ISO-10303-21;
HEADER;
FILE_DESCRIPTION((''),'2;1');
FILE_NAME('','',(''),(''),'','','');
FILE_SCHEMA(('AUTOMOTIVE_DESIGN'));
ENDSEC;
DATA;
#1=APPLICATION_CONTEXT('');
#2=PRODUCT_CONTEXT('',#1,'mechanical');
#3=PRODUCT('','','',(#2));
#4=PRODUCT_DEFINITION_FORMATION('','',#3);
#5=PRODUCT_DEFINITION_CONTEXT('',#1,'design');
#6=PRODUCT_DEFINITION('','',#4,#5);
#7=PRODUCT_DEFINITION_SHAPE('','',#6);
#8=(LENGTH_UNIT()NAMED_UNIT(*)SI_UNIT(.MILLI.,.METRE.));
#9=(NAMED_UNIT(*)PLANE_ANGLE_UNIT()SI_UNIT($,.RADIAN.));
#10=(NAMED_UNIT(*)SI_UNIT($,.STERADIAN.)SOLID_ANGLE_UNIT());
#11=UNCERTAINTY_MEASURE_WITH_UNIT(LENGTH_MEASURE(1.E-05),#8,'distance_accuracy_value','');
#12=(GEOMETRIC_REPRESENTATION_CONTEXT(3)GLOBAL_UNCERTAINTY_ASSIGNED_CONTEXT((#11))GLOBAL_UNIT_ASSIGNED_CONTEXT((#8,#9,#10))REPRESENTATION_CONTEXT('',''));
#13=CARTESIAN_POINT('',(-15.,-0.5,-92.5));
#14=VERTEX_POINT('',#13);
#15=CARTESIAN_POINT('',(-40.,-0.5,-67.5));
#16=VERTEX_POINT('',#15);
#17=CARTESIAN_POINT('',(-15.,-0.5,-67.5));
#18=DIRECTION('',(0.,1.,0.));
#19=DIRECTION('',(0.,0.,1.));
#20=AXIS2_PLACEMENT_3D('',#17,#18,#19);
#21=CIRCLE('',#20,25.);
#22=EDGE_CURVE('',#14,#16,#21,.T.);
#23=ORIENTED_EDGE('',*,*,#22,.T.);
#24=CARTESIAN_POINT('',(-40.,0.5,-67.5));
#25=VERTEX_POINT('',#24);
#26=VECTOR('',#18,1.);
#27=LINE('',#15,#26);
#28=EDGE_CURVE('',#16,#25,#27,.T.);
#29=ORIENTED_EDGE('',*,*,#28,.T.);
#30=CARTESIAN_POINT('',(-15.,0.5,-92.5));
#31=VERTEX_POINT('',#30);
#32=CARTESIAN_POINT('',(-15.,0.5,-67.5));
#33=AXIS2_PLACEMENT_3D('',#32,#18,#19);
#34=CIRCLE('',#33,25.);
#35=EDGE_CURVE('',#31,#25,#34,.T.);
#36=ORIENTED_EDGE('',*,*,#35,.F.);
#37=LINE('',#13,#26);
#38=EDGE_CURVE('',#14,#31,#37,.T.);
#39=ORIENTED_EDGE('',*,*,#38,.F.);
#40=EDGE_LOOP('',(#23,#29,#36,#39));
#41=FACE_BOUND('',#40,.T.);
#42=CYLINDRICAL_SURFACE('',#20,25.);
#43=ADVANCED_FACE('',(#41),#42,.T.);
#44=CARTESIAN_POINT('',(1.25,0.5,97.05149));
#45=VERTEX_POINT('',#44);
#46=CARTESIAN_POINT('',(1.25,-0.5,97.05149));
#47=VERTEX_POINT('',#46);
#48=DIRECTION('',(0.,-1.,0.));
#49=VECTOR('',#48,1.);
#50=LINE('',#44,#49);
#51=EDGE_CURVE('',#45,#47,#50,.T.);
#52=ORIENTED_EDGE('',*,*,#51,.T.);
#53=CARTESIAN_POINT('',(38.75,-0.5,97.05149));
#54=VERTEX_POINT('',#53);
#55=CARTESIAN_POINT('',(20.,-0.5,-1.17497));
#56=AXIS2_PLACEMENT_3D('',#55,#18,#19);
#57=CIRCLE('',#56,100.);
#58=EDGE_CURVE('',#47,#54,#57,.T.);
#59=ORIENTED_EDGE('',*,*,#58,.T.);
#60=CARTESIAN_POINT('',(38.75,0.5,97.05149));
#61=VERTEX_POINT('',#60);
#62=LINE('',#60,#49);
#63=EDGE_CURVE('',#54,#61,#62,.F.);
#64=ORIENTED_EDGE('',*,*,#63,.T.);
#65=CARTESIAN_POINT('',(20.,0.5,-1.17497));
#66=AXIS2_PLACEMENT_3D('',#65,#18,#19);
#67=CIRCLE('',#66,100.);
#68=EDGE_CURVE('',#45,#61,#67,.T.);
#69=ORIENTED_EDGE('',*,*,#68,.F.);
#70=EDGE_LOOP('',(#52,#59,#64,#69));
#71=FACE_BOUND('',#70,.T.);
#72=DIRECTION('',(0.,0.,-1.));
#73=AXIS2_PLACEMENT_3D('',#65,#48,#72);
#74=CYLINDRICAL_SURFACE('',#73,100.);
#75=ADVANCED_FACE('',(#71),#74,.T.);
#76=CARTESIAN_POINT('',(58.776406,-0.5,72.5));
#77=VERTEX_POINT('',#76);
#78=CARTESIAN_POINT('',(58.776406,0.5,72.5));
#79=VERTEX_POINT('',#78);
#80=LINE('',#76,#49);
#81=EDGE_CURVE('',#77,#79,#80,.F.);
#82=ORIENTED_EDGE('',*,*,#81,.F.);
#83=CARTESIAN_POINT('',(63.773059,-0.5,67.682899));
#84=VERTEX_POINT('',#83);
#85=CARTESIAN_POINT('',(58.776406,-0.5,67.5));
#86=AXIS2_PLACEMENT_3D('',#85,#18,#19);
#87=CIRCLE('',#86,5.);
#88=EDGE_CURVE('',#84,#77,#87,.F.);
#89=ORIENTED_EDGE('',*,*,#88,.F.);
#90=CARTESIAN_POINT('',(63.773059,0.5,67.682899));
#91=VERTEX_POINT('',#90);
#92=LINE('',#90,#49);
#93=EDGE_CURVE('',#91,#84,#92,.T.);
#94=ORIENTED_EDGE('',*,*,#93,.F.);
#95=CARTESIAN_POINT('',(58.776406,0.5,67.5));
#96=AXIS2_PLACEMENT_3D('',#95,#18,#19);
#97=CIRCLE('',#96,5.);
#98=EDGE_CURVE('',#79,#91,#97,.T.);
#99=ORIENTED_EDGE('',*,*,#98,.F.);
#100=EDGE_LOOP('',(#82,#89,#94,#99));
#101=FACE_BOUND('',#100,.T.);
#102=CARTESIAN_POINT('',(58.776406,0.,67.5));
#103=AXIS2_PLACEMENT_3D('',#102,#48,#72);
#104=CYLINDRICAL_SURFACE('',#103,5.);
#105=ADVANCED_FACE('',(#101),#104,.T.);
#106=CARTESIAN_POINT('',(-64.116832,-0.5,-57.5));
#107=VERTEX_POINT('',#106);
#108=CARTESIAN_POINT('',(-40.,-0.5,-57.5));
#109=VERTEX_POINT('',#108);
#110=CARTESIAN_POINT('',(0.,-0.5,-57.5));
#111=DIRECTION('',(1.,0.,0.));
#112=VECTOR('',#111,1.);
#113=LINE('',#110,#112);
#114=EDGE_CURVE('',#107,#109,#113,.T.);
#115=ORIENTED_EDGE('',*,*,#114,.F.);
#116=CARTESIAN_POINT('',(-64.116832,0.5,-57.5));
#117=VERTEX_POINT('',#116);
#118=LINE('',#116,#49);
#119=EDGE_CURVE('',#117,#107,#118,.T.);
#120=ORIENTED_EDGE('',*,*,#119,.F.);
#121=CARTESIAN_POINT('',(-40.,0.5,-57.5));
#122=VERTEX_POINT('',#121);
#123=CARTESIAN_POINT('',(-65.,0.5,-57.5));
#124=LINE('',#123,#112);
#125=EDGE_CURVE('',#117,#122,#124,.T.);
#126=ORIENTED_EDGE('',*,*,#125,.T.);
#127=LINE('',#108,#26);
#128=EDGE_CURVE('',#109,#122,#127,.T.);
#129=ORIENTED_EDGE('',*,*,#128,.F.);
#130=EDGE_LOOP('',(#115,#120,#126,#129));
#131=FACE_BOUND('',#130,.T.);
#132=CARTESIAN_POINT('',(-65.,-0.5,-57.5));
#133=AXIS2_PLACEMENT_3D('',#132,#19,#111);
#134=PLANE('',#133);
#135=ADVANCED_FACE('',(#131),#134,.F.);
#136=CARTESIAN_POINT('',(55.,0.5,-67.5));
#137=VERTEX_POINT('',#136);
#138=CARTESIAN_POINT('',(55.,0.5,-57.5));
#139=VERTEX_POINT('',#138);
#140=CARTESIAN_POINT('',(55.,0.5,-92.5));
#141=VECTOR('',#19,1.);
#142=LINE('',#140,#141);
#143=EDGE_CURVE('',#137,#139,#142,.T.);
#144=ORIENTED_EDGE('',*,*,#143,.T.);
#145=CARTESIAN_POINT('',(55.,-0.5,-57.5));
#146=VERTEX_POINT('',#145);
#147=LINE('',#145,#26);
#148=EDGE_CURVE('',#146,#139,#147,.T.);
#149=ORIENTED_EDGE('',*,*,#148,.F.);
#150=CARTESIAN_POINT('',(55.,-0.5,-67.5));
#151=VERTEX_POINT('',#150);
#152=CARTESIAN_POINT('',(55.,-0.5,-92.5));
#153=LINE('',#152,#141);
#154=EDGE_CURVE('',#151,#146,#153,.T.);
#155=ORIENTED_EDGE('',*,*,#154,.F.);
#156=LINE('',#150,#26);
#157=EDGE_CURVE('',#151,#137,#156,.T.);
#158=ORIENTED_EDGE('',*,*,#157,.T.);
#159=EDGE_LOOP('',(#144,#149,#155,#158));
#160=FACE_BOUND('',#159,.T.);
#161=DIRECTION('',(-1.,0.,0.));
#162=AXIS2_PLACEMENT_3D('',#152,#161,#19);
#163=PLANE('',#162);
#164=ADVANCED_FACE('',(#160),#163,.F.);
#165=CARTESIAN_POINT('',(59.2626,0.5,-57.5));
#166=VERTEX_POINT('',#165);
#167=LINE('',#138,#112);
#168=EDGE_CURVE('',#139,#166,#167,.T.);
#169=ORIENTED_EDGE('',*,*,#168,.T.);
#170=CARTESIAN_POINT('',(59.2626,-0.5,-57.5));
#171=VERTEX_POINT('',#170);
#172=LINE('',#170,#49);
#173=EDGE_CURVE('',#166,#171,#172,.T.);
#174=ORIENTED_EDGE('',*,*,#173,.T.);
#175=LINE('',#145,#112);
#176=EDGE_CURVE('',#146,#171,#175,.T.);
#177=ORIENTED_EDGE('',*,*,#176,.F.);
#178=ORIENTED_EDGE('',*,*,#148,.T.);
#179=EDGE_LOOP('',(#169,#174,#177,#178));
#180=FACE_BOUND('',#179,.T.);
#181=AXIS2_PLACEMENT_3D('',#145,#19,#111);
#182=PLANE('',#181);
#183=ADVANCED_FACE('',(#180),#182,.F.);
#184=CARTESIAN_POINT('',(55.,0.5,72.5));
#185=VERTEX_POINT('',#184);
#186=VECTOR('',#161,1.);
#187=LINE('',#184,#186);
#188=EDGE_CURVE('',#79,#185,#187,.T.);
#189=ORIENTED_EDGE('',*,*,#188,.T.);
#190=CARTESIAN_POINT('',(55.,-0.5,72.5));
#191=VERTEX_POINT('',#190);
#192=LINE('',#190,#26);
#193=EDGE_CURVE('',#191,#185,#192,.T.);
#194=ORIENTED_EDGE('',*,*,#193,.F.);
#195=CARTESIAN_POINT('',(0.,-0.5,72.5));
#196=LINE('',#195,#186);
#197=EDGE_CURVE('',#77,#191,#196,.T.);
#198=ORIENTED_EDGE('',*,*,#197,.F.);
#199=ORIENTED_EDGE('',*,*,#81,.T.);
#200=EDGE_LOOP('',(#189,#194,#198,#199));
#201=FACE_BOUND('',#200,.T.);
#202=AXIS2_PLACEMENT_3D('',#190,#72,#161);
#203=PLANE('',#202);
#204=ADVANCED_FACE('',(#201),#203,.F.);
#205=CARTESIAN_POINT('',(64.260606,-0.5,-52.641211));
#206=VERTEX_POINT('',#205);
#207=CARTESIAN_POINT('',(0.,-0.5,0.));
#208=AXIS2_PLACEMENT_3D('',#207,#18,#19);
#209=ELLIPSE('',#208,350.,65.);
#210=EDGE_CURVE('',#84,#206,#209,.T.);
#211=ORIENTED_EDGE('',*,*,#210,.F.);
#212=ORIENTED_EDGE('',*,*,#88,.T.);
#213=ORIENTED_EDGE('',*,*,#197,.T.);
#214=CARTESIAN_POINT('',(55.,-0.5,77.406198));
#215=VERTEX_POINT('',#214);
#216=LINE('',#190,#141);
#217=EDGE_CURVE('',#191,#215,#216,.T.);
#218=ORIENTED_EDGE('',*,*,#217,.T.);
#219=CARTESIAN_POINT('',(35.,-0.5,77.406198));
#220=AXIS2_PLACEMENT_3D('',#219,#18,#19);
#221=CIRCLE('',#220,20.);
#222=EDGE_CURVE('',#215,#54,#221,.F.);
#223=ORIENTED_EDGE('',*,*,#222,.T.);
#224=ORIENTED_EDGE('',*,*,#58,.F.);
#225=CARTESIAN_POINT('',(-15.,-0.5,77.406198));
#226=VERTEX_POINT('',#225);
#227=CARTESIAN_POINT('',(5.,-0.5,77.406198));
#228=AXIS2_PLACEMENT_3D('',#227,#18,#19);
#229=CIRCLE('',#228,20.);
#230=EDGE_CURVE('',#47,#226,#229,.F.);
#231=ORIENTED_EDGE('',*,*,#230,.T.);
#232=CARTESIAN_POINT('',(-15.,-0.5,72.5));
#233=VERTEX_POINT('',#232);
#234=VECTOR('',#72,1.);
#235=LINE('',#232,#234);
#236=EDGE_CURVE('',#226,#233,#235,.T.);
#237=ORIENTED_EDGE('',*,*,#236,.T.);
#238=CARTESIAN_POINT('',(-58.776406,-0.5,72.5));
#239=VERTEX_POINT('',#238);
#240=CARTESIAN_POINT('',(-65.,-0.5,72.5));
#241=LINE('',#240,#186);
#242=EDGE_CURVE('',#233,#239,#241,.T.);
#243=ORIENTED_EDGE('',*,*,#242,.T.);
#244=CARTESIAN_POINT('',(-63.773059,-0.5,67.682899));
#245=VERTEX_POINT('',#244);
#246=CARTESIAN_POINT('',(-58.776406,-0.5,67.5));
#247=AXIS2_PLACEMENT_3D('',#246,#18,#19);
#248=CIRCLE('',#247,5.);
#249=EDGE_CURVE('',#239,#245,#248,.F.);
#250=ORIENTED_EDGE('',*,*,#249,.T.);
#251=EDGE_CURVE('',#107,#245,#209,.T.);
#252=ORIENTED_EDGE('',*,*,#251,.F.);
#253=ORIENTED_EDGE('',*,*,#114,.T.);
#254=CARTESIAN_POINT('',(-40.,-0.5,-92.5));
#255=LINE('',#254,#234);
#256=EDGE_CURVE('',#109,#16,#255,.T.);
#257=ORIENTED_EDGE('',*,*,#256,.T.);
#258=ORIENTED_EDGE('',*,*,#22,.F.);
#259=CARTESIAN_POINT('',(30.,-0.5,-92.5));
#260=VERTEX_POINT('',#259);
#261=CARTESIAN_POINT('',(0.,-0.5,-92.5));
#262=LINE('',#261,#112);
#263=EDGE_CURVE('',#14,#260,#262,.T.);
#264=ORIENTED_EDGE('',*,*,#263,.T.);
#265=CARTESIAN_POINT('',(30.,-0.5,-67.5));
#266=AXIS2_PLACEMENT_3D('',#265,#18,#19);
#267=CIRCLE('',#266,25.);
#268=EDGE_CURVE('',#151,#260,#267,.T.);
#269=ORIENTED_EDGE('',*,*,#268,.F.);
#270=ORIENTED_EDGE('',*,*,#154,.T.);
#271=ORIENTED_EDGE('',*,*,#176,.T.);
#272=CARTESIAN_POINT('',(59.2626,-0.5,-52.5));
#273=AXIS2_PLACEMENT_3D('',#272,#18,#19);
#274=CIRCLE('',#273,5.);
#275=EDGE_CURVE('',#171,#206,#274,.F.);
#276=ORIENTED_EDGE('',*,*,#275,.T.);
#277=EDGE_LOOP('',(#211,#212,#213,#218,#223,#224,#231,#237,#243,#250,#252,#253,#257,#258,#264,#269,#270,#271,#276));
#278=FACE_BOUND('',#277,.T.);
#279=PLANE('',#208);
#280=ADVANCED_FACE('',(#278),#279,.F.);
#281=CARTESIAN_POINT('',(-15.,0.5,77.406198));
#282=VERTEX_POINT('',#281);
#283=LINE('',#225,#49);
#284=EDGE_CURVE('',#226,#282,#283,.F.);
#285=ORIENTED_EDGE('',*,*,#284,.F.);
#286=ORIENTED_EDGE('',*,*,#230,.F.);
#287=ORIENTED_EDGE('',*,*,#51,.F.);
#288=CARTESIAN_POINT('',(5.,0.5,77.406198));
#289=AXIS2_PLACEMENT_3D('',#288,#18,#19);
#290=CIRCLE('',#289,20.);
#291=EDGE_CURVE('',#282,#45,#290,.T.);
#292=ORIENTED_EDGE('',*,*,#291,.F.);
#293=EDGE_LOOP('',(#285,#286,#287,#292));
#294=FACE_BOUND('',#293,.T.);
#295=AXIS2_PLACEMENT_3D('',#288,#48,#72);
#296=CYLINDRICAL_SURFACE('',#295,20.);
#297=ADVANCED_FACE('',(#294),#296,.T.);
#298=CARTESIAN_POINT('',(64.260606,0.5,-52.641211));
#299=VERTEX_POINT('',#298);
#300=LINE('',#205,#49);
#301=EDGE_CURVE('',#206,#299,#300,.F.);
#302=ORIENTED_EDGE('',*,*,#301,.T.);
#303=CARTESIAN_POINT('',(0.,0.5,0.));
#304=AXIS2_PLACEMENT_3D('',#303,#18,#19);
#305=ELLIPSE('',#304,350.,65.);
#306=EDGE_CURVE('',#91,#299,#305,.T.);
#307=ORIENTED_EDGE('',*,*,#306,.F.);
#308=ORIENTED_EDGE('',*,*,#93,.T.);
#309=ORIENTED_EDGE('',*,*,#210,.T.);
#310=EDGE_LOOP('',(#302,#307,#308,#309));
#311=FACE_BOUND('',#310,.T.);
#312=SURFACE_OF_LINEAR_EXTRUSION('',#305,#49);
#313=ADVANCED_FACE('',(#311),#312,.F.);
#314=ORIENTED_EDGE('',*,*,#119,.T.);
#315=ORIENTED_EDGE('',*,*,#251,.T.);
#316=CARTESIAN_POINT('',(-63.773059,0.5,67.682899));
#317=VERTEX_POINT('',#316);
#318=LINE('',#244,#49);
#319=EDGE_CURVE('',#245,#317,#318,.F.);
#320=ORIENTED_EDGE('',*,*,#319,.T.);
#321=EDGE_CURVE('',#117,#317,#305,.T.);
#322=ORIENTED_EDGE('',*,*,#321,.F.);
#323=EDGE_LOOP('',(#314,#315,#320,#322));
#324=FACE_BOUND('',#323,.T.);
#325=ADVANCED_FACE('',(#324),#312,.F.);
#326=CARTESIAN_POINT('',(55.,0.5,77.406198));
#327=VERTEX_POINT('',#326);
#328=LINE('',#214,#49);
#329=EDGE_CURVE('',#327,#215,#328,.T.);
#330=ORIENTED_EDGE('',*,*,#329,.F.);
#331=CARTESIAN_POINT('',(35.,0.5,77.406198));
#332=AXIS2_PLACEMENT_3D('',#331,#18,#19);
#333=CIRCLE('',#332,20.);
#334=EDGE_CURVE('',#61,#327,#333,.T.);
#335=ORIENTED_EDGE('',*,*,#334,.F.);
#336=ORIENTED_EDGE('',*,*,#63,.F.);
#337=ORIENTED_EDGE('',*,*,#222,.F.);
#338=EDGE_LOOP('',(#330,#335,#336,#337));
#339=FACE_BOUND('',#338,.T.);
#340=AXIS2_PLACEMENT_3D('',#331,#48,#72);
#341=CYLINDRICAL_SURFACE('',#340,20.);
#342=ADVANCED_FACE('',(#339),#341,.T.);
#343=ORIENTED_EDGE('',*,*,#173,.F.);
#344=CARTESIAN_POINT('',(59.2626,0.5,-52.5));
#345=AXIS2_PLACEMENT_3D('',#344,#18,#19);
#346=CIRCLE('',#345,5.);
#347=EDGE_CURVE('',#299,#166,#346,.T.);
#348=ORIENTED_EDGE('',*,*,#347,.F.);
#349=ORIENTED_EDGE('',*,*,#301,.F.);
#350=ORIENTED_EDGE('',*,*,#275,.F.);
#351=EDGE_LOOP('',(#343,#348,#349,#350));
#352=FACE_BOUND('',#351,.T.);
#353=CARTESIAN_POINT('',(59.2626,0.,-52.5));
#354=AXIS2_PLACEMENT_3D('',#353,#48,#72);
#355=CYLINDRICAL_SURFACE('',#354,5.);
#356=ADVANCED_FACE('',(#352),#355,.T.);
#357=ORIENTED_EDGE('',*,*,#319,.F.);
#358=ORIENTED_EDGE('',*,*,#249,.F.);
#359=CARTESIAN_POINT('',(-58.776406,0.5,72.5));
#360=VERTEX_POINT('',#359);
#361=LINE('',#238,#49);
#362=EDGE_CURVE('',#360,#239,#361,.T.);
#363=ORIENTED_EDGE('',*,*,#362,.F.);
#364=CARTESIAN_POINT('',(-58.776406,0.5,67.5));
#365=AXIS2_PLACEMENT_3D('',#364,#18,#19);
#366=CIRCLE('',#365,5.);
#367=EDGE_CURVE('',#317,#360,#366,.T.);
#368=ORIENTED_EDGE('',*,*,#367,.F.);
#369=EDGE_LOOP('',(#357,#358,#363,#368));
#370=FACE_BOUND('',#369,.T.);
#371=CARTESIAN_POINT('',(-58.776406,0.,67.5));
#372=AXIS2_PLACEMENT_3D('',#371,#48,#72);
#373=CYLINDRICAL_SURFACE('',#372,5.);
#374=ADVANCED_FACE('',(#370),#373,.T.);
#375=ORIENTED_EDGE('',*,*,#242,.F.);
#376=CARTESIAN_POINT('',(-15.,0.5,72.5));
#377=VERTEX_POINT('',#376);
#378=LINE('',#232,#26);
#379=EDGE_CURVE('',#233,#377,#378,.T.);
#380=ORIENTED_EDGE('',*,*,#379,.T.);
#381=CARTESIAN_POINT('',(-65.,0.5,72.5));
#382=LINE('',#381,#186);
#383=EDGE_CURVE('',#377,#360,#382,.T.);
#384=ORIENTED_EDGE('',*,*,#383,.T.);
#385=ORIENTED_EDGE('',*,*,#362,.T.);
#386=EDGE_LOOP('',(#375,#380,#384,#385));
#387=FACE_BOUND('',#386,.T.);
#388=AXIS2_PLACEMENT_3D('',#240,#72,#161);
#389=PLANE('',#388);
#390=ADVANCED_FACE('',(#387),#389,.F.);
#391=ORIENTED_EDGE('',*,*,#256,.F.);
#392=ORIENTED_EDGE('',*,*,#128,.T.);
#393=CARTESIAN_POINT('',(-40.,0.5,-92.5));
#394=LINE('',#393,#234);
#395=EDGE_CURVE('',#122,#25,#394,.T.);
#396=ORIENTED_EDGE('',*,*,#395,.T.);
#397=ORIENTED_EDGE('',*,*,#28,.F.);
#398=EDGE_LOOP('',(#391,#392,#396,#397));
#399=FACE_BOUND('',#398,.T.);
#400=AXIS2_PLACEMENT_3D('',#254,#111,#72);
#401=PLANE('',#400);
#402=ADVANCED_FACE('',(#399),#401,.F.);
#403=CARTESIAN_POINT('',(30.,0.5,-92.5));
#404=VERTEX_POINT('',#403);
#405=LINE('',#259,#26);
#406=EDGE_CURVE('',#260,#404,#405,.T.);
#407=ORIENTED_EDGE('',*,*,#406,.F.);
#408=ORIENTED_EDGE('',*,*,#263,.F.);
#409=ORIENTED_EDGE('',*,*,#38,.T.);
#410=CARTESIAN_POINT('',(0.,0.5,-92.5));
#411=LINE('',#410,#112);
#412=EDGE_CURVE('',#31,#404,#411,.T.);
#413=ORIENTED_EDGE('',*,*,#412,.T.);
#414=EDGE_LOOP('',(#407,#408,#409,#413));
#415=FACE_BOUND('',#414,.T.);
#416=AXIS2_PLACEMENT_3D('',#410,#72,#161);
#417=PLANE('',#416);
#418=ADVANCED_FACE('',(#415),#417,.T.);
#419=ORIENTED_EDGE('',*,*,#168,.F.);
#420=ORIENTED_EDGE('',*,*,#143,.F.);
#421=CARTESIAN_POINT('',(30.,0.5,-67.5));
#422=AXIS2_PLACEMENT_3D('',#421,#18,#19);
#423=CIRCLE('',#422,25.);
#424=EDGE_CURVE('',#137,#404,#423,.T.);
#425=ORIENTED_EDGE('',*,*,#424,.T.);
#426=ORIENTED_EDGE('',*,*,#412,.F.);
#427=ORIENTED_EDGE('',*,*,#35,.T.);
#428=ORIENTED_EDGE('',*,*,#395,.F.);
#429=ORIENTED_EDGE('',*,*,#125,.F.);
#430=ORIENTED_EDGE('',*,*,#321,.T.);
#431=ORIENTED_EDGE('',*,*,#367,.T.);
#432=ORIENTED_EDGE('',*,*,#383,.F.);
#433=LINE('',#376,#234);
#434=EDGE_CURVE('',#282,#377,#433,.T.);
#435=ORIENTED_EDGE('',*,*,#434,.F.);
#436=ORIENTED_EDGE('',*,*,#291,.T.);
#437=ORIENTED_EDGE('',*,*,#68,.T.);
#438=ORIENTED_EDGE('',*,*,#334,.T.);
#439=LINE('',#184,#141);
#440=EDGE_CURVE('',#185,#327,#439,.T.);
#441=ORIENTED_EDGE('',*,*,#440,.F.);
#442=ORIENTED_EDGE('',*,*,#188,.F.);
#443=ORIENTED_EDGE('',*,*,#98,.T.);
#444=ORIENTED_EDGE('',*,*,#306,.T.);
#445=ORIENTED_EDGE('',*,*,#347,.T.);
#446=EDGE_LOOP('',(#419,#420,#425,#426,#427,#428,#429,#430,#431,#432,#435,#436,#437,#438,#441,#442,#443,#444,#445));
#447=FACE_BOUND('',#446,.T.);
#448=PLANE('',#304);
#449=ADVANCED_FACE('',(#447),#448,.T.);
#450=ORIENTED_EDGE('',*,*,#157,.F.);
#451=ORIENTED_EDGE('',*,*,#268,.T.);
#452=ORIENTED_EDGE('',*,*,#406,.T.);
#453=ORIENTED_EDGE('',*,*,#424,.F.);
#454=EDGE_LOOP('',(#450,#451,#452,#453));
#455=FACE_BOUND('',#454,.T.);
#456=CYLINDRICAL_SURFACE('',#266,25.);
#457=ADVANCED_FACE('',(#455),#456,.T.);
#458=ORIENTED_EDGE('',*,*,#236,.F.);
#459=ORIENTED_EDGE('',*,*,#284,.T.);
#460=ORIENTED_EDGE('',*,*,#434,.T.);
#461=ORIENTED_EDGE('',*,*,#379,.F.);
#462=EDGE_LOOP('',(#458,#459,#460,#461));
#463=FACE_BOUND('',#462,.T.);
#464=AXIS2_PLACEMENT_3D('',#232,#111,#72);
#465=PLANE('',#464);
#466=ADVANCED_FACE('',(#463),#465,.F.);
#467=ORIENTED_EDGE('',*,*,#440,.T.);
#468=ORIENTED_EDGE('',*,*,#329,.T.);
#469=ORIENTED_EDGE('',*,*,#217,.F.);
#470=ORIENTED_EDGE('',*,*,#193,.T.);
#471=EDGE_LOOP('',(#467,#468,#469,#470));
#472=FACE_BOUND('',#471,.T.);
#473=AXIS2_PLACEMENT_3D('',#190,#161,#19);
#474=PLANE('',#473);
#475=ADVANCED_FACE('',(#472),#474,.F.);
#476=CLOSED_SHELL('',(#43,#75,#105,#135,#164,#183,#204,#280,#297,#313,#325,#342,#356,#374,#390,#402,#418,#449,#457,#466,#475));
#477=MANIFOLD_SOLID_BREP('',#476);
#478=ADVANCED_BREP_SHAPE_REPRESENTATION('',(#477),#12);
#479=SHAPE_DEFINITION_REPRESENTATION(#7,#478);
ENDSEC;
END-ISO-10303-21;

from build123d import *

# Parameters (mm, degrees)
EXTRUDE_1_DEPTH     = 0.5
SKETCH_3_W          = 25
SKETCH_3_H          = 35
CUT_EXTRUDE_1_DEPTH = 114.058613257
SKETCH_4_W          = 10
SKETCH_4_H          = 35
CUT_EXTRUDE_2_DEPTH = 114.058613257
SKETCH_5_W          = 50
SKETCH_5_H          = 20
CUT_EXTRUDE_3_DEPTH = 114.058613257
SKETCH_6_W          = 10
SKETCH_6_H          = 20
CUT_EXTRUDE_4_DEPTH = 114.058613257
EXTRUDE_2_DEPTH     = 0.5
CUT_EXTRUDE_5_DEPTH = 119.289418767
FILLET_1_R          = 5
FILLET_2_R          = 20


with BuildPart() as part:
    # ｽｹｯﾁ1 → ﾎﾞｽ - 押し出し1 (new, symmetric)
    with BuildSketch(Plane(origin=(0, 0, 0), x_dir=(1, 0, 0), z_dir=(0, 1, 0))):
        with BuildLine():
            Line((62.68888804, 92.5), (-62.68888804, 92.5))
            add(Edge.make_bspline(
                [(-62.68888804, 92.5), (-67.396314277, 0), (-62.68888804, -92.5)],
                knots=[4.444925752, 4.444925752, 4.444925752, 4.979852209, 4.979852209, 4.979852209], degree=2, weights=[1, 0.964444431, 1]))
            Line((-62.68888804, -92.5), (62.68888804, -92.5))
            add(Edge.make_bspline(
                [(62.68888804, -92.5), (67.396314277, 0), (62.68888804, 92.5)],
                knots=[1.303333099, 1.303333099, 1.303333099, 1.838259555, 1.838259555, 1.838259555], degree=2, weights=[1, 0.964444431, 1]))
        make_face()
    extrude(amount=EXTRUDE_1_DEPTH, both=True)

    # ｽｹｯﾁ3 → ｶｯﾄ - 押し出し1 (cut, through all)
    with BuildSketch(Plane(origin=(0, 0.5, 0), x_dir=(1, 0, 0), z_dir=(0, 1, 0))):
        with Locations((-52.5, 75)):
            Rectangle(SKETCH_3_W, SKETCH_3_H)
    extrude(amount=-CUT_EXTRUDE_1_DEPTH, mode=Mode.SUBTRACT)

    # ｽｹｯﾁ4 → ｶｯﾄ - 押し出し2 (cut, through all)
    with BuildSketch(Plane(origin=(0, 0.5, 0), x_dir=(1, 0, 0), z_dir=(0, 1, 0))):
        with Locations((60, 75)):
            Rectangle(SKETCH_4_W, SKETCH_4_H)
    extrude(amount=-CUT_EXTRUDE_2_DEPTH, mode=Mode.SUBTRACT)

    # ｽｹｯﾁ5 → ｶｯﾄ - 押し出し3 (cut, through all)
    with BuildSketch(Plane(origin=(0, 0.5, 0), x_dir=(1, 0, 0), z_dir=(0, 1, 0))):
        with Locations((-40, -82.5)):
            Rectangle(SKETCH_5_W, SKETCH_5_H)
    extrude(amount=-CUT_EXTRUDE_3_DEPTH, mode=Mode.SUBTRACT)

    # ｽｹｯﾁ6 → ｶｯﾄ - 押し出し4 (cut, through all)
    with BuildSketch(Plane(origin=(0, 0.5, 0), x_dir=(1, 0, 0), z_dir=(0, 1, 0))):
        with Locations((60, -82.5)):
            Rectangle(SKETCH_6_W, SKETCH_6_H)
    extrude(amount=-CUT_EXTRUDE_4_DEPTH, mode=Mode.SUBTRACT)

    # ｽｹｯﾁ7 → ﾎﾞｽ - 押し出し2 (add, symmetric)
    with BuildSketch(Plane(origin=(0, 0, 0), x_dir=(1, 0, 0), z_dir=(0, 1, 0))):
        with BuildLine():
            Line((-15, -92.5), (55, -92.5))
            ThreePointArc((55, -92.5), (20, -98.825030024), (-15, -92.5))
        make_face()
    extrude(amount=EXTRUDE_2_DEPTH, both=True)

    # ｽｹｯﾁ8 → ｶｯﾄ - 押し出し5 (cut, through all)
    with BuildSketch(Plane(origin=(0, 0.5, 0), x_dir=(1, 0, 0), z_dir=(0, 1, 0))):
        with BuildLine():
            ThreePointArc((-40, 67.5), (-32.677669545, 85.177669514), (-15.000000044, 92.5))
            Line((-15.000000044, 92.5), (-40, 92.5))
            Line((-40, 92.5), (-40, 67.5))
        make_face()
        with BuildLine():
            Line((55, 67.5), (55, 92.5))
            Line((55, 92.5), (30, 92.5))
            ThreePointArc((30, 92.5), (47.67766953, 85.17766953), (55, 67.5))
        make_face()
    extrude(amount=-CUT_EXTRUDE_5_DEPTH, mode=Mode.SUBTRACT)

    # ﾌｨﾚｯﾄ1
    fillet_1_edges = [part.edges().sort_by_distance(p)[0] for p in [
        (-63.590195865, -0.25, 72.5),
        (63.590195865, -0.2499997, 72.5),
        (64.116831739, -0.25, -57.5),
    ]]
    fillet(fillet_1_edges, radius=FILLET_1_R)

    # ﾌｨﾚｯﾄ2
    fillet_2_edges = [part.edges().sort_by_distance(p)[0] for p in [
        (-15, 0, 92.5),
        (55, 0, 92.5),
    ]]
    fillet(fillet_2_edges, radius=FILLET_2_R)


solid = part.part
